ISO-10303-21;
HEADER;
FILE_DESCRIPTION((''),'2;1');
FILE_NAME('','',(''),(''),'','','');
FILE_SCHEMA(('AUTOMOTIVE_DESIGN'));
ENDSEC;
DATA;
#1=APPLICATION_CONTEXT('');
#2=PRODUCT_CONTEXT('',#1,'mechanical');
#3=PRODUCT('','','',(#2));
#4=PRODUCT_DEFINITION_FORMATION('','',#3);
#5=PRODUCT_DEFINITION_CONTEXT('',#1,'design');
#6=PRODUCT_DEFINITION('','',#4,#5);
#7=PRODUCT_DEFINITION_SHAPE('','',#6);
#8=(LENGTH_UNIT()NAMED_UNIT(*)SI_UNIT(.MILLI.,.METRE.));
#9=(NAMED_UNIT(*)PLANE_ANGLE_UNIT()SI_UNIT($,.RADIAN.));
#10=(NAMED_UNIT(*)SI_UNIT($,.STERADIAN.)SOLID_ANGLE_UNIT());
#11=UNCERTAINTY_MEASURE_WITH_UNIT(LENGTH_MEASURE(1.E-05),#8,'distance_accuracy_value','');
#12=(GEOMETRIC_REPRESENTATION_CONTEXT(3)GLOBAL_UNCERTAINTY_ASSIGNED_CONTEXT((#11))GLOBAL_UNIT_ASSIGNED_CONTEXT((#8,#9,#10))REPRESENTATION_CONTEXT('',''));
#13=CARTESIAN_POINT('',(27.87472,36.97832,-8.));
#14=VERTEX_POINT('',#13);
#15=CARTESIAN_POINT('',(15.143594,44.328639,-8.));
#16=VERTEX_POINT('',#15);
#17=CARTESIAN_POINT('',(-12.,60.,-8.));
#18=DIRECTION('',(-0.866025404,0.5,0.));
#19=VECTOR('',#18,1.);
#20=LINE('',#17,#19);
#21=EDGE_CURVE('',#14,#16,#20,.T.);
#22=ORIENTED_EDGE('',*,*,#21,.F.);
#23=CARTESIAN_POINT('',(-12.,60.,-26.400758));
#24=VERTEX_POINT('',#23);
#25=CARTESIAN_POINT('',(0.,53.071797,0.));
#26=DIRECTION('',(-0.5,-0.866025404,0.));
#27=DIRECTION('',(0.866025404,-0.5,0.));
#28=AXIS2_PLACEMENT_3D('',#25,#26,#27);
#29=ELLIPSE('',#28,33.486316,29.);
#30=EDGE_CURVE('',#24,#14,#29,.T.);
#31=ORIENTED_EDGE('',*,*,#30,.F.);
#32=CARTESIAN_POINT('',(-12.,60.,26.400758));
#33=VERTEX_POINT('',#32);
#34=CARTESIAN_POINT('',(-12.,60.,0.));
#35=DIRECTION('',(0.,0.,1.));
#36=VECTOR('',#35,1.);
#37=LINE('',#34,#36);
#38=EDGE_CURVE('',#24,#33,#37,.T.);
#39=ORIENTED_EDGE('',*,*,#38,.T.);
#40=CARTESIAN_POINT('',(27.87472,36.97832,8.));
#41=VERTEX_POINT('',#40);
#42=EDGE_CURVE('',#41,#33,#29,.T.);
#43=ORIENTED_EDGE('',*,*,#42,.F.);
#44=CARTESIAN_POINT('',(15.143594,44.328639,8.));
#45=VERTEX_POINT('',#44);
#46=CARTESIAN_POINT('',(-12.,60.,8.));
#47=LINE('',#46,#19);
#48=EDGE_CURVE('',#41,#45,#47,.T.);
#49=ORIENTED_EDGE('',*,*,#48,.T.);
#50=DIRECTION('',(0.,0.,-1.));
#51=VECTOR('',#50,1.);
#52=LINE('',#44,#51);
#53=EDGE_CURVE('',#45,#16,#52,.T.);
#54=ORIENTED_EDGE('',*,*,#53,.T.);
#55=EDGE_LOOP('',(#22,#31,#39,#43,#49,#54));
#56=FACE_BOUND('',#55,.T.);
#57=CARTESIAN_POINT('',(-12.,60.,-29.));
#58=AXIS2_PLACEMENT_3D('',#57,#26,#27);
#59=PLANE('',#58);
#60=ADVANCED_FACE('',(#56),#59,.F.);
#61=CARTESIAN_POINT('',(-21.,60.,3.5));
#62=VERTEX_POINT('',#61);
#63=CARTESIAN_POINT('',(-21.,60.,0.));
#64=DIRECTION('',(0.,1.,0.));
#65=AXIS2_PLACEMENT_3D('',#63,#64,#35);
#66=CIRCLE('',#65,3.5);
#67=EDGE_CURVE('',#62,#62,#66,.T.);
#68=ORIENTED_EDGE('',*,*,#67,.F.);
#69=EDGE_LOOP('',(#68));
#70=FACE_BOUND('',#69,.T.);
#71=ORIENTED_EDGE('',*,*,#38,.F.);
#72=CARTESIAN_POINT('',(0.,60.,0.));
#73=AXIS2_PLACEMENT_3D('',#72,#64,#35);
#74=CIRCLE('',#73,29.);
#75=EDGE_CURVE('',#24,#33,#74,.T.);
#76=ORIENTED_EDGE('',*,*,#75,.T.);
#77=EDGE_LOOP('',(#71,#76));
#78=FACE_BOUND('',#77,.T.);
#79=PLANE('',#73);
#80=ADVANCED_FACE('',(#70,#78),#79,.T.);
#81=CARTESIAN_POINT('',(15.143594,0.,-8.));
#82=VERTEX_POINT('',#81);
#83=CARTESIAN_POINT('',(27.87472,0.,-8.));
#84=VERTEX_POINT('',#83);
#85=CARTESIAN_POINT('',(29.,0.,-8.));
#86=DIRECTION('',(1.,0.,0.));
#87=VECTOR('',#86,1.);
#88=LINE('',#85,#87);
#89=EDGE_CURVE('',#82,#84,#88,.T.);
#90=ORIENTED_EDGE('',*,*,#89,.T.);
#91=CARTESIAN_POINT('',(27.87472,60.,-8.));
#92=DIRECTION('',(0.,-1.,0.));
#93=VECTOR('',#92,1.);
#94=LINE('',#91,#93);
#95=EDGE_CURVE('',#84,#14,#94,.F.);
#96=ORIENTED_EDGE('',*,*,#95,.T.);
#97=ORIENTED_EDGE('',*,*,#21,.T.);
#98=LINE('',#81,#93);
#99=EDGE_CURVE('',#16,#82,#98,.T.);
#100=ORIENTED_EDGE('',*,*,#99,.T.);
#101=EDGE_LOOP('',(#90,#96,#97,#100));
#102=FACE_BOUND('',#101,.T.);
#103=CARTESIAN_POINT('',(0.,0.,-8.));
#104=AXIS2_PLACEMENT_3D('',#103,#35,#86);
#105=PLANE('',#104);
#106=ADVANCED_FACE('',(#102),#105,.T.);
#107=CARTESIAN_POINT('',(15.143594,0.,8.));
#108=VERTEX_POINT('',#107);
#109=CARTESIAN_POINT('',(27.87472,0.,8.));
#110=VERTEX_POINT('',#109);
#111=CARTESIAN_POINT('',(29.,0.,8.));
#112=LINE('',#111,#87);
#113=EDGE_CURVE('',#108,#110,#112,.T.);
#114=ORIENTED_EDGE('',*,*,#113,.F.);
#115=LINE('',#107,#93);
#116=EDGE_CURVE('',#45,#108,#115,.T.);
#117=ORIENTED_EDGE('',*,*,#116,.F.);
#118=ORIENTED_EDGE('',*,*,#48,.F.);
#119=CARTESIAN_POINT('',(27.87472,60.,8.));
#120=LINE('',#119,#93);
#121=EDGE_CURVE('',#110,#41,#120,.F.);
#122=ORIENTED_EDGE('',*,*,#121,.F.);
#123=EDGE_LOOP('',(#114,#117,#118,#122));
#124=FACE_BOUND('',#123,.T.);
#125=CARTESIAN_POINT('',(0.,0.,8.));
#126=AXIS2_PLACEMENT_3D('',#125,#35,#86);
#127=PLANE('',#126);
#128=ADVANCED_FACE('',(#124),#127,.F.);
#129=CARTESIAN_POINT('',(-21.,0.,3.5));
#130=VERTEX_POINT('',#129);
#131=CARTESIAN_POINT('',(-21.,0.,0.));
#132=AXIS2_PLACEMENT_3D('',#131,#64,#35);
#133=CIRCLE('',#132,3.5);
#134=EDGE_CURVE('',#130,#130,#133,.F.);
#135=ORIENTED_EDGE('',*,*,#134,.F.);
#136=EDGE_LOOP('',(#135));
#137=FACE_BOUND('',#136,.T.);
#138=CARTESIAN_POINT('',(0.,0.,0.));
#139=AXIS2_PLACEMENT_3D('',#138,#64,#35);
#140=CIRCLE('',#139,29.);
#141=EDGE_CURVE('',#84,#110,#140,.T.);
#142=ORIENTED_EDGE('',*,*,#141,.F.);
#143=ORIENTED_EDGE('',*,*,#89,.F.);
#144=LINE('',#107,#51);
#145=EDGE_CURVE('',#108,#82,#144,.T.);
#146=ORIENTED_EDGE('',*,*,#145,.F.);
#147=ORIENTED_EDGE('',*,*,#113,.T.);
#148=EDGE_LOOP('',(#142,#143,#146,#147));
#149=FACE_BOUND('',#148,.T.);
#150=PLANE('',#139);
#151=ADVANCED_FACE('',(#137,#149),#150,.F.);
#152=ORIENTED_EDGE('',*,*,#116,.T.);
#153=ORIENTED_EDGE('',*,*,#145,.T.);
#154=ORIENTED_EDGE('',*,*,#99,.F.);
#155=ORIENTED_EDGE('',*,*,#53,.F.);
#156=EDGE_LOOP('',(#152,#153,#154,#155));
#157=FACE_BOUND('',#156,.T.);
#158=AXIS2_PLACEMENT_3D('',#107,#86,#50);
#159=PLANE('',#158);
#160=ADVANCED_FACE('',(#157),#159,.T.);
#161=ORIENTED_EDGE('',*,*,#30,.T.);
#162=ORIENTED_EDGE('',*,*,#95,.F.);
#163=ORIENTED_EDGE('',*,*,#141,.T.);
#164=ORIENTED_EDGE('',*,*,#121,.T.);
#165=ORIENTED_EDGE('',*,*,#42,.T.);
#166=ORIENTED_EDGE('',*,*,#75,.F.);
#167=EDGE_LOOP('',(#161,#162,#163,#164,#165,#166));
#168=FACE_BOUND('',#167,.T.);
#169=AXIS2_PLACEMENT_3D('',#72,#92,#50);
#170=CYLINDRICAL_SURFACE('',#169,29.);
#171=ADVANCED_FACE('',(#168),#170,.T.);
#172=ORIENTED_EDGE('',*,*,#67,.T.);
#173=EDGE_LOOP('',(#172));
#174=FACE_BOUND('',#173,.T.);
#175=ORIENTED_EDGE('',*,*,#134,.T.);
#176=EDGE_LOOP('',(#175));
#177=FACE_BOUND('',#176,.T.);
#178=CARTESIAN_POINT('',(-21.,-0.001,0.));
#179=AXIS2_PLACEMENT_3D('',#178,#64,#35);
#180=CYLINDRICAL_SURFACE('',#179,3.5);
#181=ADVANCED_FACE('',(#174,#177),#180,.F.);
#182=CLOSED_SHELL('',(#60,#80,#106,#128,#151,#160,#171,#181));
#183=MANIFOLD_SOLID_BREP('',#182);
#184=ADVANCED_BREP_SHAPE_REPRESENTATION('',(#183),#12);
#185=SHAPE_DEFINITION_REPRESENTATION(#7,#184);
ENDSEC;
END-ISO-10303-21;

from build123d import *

# Parameters (mm, degrees)
SKETCH1_R               = 29
BOSS_EXTRUDE1_DEPTH     = 60
CUT_EXTRUDE1_DEPTH      = 73.677369242
CUT_EXTRUDE1_DEPTH_BACK = 73.677369242
CUT_EXTRUDE3_DEPTH      = 8
CUT_EXTRUDE3_DEPTH_BACK = 8
CUT_EXTRUDE4_REACH      = 74.677
SKETCH7_R               = 3.5


with BuildPart() as part:
    # Sketch1 → Boss-Extrude1 (new body)
    with BuildSketch(Plane(origin=(0, 0, 0), x_dir=(1, 0, 0), z_dir=(0, 1, 0))):
        Circle(SKETCH1_R)
    extrude(amount=BOSS_EXTRUDE1_DEPTH)

    # Sketch2 → Cut-Extrude1 (cut, two sides: drawn at the far end of the back side and taken through both)
    with BuildSketch(Plane.XY.offset(-CUT_EXTRUDE1_DEPTH_BACK)):
        Polygon((-12, 60), (29, 36.328638963), (29, 60), align=None)
    extrude(amount=CUT_EXTRUDE1_DEPTH + CUT_EXTRUDE1_DEPTH_BACK, mode=Mode.SUBTRACT)

    # Sketch6 → Cut-Extrude3 (cut, two sides: drawn at the far end of the back side and taken through both)
    with BuildSketch(Plane.XY.offset(-CUT_EXTRUDE3_DEPTH_BACK)):
        Polygon((15.143593539, 44.328638963), (29, 36.328638963), (29, 0), (15.143593539, 0), align=None)
    extrude(amount=CUT_EXTRUDE3_DEPTH + CUT_EXTRUDE3_DEPTH_BACK, mode=Mode.SUBTRACT)

    # Sketch7 → Cut-Extrude4 (cut, up to next)
    with BuildSketch(Plane(origin=(0, 60, 0), x_dir=(1, 0, 0), z_dir=(0, 1, 0)), mode=Mode.PRIVATE) as cut_extrude4_sk1:
        with Locations((-21, 0)):
            Circle(SKETCH7_R)
    cut_extrude4_tool1 = extrude(cut_extrude4_sk1.sketch, amount=-CUT_EXTRUDE4_REACH, mode=Mode.PRIVATE) & part.part
    add(cut_extrude4_tool1.solids().sort_by_distance((-21, 60, 0))[0], mode=Mode.SUBTRACT)


solid = part.part
